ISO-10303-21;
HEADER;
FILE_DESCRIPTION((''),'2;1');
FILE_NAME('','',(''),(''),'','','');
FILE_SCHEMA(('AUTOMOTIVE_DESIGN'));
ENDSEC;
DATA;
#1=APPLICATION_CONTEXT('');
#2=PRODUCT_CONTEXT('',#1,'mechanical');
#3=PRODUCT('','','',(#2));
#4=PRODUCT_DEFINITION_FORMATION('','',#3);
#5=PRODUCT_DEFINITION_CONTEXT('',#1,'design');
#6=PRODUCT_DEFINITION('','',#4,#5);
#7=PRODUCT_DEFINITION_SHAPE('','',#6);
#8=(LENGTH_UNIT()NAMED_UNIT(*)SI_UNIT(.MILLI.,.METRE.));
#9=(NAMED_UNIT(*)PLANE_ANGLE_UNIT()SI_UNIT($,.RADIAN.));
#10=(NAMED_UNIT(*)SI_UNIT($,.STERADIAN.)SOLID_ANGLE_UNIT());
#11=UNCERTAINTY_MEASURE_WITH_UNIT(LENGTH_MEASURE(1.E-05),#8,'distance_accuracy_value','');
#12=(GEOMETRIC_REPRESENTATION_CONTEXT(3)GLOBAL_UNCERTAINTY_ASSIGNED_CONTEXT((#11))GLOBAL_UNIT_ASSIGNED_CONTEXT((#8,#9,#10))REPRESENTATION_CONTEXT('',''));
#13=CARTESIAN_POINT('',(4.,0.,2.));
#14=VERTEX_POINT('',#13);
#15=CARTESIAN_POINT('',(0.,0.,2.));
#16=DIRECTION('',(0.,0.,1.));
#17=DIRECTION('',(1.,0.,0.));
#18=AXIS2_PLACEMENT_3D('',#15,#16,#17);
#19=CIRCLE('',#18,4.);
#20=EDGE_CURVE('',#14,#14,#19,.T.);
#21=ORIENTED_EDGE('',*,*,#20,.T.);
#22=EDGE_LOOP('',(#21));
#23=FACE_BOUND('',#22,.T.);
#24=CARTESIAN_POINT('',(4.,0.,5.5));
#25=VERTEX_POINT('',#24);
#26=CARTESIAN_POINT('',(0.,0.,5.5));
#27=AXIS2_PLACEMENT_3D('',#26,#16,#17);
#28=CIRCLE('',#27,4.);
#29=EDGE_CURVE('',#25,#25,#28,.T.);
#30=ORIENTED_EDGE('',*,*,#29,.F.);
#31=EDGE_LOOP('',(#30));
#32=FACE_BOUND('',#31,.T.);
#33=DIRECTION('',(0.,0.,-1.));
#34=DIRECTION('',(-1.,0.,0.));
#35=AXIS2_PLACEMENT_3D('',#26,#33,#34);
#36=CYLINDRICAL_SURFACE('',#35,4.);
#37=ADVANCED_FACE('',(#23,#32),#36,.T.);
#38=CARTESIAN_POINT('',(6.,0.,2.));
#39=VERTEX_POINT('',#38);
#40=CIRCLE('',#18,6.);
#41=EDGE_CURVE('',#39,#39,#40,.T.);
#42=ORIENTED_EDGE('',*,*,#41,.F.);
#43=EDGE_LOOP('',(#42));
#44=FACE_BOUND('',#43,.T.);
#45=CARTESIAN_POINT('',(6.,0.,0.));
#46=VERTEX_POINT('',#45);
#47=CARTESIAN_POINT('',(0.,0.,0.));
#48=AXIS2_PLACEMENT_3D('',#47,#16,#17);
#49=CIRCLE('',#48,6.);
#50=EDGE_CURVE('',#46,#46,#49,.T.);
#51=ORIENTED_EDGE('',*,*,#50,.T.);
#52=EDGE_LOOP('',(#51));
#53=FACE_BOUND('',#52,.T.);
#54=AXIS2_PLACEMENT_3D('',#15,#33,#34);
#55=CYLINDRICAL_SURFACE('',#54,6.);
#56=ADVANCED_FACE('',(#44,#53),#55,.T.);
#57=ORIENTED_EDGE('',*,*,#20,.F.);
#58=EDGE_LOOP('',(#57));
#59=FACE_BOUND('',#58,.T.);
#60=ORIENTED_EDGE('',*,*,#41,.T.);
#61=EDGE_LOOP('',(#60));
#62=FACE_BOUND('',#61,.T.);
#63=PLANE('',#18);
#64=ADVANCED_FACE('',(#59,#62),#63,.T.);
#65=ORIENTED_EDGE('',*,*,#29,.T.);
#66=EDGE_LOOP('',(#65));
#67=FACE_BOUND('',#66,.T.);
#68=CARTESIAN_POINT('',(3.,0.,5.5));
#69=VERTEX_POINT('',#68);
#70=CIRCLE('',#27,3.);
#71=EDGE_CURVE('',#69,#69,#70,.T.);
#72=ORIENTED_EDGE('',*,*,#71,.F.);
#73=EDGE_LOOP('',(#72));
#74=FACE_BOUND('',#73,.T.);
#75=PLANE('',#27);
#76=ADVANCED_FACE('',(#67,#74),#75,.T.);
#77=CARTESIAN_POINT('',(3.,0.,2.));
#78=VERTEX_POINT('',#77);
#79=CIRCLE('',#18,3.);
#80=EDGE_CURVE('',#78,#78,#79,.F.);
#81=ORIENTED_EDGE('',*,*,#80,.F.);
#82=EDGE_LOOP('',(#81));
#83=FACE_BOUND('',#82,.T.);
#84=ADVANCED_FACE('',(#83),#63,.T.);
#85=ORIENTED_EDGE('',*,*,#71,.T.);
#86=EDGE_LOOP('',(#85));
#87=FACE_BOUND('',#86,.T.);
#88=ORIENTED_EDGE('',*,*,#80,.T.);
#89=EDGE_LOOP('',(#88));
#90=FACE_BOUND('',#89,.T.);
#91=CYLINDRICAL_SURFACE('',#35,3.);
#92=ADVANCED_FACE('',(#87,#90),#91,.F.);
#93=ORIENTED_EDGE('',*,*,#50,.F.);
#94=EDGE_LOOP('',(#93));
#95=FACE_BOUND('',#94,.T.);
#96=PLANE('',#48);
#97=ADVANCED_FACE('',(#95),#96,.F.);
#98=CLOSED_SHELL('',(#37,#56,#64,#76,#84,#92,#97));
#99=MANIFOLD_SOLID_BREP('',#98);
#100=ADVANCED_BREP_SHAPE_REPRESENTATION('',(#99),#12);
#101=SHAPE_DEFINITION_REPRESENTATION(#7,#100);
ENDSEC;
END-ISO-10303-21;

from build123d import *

# Parameters (mm, degrees)
SKETCH1_R           = 6
BOSS_EXTRUDE1_DEPTH = 2
SKETCH2_R           = 4
SKETCH2_R_2         = 3
BOSS_EXTRUDE2_DEPTH = 3.5


with BuildPart() as part:
    # Sketch1 → Boss-Extrude1 (new body)
    with BuildSketch(Plane.XY):
        Circle(SKETCH1_R)
    extrude(amount=BOSS_EXTRUDE1_DEPTH)

    # Sketch2 → Boss-Extrude2 (add)
    with BuildSketch(Plane.XY.offset(2)):
        Circle(SKETCH2_R)
        Circle(SKETCH2_R_2, mode=Mode.SUBTRACT)
    extrude(amount=BOSS_EXTRUDE2_DEPTH)


solid = part.part
